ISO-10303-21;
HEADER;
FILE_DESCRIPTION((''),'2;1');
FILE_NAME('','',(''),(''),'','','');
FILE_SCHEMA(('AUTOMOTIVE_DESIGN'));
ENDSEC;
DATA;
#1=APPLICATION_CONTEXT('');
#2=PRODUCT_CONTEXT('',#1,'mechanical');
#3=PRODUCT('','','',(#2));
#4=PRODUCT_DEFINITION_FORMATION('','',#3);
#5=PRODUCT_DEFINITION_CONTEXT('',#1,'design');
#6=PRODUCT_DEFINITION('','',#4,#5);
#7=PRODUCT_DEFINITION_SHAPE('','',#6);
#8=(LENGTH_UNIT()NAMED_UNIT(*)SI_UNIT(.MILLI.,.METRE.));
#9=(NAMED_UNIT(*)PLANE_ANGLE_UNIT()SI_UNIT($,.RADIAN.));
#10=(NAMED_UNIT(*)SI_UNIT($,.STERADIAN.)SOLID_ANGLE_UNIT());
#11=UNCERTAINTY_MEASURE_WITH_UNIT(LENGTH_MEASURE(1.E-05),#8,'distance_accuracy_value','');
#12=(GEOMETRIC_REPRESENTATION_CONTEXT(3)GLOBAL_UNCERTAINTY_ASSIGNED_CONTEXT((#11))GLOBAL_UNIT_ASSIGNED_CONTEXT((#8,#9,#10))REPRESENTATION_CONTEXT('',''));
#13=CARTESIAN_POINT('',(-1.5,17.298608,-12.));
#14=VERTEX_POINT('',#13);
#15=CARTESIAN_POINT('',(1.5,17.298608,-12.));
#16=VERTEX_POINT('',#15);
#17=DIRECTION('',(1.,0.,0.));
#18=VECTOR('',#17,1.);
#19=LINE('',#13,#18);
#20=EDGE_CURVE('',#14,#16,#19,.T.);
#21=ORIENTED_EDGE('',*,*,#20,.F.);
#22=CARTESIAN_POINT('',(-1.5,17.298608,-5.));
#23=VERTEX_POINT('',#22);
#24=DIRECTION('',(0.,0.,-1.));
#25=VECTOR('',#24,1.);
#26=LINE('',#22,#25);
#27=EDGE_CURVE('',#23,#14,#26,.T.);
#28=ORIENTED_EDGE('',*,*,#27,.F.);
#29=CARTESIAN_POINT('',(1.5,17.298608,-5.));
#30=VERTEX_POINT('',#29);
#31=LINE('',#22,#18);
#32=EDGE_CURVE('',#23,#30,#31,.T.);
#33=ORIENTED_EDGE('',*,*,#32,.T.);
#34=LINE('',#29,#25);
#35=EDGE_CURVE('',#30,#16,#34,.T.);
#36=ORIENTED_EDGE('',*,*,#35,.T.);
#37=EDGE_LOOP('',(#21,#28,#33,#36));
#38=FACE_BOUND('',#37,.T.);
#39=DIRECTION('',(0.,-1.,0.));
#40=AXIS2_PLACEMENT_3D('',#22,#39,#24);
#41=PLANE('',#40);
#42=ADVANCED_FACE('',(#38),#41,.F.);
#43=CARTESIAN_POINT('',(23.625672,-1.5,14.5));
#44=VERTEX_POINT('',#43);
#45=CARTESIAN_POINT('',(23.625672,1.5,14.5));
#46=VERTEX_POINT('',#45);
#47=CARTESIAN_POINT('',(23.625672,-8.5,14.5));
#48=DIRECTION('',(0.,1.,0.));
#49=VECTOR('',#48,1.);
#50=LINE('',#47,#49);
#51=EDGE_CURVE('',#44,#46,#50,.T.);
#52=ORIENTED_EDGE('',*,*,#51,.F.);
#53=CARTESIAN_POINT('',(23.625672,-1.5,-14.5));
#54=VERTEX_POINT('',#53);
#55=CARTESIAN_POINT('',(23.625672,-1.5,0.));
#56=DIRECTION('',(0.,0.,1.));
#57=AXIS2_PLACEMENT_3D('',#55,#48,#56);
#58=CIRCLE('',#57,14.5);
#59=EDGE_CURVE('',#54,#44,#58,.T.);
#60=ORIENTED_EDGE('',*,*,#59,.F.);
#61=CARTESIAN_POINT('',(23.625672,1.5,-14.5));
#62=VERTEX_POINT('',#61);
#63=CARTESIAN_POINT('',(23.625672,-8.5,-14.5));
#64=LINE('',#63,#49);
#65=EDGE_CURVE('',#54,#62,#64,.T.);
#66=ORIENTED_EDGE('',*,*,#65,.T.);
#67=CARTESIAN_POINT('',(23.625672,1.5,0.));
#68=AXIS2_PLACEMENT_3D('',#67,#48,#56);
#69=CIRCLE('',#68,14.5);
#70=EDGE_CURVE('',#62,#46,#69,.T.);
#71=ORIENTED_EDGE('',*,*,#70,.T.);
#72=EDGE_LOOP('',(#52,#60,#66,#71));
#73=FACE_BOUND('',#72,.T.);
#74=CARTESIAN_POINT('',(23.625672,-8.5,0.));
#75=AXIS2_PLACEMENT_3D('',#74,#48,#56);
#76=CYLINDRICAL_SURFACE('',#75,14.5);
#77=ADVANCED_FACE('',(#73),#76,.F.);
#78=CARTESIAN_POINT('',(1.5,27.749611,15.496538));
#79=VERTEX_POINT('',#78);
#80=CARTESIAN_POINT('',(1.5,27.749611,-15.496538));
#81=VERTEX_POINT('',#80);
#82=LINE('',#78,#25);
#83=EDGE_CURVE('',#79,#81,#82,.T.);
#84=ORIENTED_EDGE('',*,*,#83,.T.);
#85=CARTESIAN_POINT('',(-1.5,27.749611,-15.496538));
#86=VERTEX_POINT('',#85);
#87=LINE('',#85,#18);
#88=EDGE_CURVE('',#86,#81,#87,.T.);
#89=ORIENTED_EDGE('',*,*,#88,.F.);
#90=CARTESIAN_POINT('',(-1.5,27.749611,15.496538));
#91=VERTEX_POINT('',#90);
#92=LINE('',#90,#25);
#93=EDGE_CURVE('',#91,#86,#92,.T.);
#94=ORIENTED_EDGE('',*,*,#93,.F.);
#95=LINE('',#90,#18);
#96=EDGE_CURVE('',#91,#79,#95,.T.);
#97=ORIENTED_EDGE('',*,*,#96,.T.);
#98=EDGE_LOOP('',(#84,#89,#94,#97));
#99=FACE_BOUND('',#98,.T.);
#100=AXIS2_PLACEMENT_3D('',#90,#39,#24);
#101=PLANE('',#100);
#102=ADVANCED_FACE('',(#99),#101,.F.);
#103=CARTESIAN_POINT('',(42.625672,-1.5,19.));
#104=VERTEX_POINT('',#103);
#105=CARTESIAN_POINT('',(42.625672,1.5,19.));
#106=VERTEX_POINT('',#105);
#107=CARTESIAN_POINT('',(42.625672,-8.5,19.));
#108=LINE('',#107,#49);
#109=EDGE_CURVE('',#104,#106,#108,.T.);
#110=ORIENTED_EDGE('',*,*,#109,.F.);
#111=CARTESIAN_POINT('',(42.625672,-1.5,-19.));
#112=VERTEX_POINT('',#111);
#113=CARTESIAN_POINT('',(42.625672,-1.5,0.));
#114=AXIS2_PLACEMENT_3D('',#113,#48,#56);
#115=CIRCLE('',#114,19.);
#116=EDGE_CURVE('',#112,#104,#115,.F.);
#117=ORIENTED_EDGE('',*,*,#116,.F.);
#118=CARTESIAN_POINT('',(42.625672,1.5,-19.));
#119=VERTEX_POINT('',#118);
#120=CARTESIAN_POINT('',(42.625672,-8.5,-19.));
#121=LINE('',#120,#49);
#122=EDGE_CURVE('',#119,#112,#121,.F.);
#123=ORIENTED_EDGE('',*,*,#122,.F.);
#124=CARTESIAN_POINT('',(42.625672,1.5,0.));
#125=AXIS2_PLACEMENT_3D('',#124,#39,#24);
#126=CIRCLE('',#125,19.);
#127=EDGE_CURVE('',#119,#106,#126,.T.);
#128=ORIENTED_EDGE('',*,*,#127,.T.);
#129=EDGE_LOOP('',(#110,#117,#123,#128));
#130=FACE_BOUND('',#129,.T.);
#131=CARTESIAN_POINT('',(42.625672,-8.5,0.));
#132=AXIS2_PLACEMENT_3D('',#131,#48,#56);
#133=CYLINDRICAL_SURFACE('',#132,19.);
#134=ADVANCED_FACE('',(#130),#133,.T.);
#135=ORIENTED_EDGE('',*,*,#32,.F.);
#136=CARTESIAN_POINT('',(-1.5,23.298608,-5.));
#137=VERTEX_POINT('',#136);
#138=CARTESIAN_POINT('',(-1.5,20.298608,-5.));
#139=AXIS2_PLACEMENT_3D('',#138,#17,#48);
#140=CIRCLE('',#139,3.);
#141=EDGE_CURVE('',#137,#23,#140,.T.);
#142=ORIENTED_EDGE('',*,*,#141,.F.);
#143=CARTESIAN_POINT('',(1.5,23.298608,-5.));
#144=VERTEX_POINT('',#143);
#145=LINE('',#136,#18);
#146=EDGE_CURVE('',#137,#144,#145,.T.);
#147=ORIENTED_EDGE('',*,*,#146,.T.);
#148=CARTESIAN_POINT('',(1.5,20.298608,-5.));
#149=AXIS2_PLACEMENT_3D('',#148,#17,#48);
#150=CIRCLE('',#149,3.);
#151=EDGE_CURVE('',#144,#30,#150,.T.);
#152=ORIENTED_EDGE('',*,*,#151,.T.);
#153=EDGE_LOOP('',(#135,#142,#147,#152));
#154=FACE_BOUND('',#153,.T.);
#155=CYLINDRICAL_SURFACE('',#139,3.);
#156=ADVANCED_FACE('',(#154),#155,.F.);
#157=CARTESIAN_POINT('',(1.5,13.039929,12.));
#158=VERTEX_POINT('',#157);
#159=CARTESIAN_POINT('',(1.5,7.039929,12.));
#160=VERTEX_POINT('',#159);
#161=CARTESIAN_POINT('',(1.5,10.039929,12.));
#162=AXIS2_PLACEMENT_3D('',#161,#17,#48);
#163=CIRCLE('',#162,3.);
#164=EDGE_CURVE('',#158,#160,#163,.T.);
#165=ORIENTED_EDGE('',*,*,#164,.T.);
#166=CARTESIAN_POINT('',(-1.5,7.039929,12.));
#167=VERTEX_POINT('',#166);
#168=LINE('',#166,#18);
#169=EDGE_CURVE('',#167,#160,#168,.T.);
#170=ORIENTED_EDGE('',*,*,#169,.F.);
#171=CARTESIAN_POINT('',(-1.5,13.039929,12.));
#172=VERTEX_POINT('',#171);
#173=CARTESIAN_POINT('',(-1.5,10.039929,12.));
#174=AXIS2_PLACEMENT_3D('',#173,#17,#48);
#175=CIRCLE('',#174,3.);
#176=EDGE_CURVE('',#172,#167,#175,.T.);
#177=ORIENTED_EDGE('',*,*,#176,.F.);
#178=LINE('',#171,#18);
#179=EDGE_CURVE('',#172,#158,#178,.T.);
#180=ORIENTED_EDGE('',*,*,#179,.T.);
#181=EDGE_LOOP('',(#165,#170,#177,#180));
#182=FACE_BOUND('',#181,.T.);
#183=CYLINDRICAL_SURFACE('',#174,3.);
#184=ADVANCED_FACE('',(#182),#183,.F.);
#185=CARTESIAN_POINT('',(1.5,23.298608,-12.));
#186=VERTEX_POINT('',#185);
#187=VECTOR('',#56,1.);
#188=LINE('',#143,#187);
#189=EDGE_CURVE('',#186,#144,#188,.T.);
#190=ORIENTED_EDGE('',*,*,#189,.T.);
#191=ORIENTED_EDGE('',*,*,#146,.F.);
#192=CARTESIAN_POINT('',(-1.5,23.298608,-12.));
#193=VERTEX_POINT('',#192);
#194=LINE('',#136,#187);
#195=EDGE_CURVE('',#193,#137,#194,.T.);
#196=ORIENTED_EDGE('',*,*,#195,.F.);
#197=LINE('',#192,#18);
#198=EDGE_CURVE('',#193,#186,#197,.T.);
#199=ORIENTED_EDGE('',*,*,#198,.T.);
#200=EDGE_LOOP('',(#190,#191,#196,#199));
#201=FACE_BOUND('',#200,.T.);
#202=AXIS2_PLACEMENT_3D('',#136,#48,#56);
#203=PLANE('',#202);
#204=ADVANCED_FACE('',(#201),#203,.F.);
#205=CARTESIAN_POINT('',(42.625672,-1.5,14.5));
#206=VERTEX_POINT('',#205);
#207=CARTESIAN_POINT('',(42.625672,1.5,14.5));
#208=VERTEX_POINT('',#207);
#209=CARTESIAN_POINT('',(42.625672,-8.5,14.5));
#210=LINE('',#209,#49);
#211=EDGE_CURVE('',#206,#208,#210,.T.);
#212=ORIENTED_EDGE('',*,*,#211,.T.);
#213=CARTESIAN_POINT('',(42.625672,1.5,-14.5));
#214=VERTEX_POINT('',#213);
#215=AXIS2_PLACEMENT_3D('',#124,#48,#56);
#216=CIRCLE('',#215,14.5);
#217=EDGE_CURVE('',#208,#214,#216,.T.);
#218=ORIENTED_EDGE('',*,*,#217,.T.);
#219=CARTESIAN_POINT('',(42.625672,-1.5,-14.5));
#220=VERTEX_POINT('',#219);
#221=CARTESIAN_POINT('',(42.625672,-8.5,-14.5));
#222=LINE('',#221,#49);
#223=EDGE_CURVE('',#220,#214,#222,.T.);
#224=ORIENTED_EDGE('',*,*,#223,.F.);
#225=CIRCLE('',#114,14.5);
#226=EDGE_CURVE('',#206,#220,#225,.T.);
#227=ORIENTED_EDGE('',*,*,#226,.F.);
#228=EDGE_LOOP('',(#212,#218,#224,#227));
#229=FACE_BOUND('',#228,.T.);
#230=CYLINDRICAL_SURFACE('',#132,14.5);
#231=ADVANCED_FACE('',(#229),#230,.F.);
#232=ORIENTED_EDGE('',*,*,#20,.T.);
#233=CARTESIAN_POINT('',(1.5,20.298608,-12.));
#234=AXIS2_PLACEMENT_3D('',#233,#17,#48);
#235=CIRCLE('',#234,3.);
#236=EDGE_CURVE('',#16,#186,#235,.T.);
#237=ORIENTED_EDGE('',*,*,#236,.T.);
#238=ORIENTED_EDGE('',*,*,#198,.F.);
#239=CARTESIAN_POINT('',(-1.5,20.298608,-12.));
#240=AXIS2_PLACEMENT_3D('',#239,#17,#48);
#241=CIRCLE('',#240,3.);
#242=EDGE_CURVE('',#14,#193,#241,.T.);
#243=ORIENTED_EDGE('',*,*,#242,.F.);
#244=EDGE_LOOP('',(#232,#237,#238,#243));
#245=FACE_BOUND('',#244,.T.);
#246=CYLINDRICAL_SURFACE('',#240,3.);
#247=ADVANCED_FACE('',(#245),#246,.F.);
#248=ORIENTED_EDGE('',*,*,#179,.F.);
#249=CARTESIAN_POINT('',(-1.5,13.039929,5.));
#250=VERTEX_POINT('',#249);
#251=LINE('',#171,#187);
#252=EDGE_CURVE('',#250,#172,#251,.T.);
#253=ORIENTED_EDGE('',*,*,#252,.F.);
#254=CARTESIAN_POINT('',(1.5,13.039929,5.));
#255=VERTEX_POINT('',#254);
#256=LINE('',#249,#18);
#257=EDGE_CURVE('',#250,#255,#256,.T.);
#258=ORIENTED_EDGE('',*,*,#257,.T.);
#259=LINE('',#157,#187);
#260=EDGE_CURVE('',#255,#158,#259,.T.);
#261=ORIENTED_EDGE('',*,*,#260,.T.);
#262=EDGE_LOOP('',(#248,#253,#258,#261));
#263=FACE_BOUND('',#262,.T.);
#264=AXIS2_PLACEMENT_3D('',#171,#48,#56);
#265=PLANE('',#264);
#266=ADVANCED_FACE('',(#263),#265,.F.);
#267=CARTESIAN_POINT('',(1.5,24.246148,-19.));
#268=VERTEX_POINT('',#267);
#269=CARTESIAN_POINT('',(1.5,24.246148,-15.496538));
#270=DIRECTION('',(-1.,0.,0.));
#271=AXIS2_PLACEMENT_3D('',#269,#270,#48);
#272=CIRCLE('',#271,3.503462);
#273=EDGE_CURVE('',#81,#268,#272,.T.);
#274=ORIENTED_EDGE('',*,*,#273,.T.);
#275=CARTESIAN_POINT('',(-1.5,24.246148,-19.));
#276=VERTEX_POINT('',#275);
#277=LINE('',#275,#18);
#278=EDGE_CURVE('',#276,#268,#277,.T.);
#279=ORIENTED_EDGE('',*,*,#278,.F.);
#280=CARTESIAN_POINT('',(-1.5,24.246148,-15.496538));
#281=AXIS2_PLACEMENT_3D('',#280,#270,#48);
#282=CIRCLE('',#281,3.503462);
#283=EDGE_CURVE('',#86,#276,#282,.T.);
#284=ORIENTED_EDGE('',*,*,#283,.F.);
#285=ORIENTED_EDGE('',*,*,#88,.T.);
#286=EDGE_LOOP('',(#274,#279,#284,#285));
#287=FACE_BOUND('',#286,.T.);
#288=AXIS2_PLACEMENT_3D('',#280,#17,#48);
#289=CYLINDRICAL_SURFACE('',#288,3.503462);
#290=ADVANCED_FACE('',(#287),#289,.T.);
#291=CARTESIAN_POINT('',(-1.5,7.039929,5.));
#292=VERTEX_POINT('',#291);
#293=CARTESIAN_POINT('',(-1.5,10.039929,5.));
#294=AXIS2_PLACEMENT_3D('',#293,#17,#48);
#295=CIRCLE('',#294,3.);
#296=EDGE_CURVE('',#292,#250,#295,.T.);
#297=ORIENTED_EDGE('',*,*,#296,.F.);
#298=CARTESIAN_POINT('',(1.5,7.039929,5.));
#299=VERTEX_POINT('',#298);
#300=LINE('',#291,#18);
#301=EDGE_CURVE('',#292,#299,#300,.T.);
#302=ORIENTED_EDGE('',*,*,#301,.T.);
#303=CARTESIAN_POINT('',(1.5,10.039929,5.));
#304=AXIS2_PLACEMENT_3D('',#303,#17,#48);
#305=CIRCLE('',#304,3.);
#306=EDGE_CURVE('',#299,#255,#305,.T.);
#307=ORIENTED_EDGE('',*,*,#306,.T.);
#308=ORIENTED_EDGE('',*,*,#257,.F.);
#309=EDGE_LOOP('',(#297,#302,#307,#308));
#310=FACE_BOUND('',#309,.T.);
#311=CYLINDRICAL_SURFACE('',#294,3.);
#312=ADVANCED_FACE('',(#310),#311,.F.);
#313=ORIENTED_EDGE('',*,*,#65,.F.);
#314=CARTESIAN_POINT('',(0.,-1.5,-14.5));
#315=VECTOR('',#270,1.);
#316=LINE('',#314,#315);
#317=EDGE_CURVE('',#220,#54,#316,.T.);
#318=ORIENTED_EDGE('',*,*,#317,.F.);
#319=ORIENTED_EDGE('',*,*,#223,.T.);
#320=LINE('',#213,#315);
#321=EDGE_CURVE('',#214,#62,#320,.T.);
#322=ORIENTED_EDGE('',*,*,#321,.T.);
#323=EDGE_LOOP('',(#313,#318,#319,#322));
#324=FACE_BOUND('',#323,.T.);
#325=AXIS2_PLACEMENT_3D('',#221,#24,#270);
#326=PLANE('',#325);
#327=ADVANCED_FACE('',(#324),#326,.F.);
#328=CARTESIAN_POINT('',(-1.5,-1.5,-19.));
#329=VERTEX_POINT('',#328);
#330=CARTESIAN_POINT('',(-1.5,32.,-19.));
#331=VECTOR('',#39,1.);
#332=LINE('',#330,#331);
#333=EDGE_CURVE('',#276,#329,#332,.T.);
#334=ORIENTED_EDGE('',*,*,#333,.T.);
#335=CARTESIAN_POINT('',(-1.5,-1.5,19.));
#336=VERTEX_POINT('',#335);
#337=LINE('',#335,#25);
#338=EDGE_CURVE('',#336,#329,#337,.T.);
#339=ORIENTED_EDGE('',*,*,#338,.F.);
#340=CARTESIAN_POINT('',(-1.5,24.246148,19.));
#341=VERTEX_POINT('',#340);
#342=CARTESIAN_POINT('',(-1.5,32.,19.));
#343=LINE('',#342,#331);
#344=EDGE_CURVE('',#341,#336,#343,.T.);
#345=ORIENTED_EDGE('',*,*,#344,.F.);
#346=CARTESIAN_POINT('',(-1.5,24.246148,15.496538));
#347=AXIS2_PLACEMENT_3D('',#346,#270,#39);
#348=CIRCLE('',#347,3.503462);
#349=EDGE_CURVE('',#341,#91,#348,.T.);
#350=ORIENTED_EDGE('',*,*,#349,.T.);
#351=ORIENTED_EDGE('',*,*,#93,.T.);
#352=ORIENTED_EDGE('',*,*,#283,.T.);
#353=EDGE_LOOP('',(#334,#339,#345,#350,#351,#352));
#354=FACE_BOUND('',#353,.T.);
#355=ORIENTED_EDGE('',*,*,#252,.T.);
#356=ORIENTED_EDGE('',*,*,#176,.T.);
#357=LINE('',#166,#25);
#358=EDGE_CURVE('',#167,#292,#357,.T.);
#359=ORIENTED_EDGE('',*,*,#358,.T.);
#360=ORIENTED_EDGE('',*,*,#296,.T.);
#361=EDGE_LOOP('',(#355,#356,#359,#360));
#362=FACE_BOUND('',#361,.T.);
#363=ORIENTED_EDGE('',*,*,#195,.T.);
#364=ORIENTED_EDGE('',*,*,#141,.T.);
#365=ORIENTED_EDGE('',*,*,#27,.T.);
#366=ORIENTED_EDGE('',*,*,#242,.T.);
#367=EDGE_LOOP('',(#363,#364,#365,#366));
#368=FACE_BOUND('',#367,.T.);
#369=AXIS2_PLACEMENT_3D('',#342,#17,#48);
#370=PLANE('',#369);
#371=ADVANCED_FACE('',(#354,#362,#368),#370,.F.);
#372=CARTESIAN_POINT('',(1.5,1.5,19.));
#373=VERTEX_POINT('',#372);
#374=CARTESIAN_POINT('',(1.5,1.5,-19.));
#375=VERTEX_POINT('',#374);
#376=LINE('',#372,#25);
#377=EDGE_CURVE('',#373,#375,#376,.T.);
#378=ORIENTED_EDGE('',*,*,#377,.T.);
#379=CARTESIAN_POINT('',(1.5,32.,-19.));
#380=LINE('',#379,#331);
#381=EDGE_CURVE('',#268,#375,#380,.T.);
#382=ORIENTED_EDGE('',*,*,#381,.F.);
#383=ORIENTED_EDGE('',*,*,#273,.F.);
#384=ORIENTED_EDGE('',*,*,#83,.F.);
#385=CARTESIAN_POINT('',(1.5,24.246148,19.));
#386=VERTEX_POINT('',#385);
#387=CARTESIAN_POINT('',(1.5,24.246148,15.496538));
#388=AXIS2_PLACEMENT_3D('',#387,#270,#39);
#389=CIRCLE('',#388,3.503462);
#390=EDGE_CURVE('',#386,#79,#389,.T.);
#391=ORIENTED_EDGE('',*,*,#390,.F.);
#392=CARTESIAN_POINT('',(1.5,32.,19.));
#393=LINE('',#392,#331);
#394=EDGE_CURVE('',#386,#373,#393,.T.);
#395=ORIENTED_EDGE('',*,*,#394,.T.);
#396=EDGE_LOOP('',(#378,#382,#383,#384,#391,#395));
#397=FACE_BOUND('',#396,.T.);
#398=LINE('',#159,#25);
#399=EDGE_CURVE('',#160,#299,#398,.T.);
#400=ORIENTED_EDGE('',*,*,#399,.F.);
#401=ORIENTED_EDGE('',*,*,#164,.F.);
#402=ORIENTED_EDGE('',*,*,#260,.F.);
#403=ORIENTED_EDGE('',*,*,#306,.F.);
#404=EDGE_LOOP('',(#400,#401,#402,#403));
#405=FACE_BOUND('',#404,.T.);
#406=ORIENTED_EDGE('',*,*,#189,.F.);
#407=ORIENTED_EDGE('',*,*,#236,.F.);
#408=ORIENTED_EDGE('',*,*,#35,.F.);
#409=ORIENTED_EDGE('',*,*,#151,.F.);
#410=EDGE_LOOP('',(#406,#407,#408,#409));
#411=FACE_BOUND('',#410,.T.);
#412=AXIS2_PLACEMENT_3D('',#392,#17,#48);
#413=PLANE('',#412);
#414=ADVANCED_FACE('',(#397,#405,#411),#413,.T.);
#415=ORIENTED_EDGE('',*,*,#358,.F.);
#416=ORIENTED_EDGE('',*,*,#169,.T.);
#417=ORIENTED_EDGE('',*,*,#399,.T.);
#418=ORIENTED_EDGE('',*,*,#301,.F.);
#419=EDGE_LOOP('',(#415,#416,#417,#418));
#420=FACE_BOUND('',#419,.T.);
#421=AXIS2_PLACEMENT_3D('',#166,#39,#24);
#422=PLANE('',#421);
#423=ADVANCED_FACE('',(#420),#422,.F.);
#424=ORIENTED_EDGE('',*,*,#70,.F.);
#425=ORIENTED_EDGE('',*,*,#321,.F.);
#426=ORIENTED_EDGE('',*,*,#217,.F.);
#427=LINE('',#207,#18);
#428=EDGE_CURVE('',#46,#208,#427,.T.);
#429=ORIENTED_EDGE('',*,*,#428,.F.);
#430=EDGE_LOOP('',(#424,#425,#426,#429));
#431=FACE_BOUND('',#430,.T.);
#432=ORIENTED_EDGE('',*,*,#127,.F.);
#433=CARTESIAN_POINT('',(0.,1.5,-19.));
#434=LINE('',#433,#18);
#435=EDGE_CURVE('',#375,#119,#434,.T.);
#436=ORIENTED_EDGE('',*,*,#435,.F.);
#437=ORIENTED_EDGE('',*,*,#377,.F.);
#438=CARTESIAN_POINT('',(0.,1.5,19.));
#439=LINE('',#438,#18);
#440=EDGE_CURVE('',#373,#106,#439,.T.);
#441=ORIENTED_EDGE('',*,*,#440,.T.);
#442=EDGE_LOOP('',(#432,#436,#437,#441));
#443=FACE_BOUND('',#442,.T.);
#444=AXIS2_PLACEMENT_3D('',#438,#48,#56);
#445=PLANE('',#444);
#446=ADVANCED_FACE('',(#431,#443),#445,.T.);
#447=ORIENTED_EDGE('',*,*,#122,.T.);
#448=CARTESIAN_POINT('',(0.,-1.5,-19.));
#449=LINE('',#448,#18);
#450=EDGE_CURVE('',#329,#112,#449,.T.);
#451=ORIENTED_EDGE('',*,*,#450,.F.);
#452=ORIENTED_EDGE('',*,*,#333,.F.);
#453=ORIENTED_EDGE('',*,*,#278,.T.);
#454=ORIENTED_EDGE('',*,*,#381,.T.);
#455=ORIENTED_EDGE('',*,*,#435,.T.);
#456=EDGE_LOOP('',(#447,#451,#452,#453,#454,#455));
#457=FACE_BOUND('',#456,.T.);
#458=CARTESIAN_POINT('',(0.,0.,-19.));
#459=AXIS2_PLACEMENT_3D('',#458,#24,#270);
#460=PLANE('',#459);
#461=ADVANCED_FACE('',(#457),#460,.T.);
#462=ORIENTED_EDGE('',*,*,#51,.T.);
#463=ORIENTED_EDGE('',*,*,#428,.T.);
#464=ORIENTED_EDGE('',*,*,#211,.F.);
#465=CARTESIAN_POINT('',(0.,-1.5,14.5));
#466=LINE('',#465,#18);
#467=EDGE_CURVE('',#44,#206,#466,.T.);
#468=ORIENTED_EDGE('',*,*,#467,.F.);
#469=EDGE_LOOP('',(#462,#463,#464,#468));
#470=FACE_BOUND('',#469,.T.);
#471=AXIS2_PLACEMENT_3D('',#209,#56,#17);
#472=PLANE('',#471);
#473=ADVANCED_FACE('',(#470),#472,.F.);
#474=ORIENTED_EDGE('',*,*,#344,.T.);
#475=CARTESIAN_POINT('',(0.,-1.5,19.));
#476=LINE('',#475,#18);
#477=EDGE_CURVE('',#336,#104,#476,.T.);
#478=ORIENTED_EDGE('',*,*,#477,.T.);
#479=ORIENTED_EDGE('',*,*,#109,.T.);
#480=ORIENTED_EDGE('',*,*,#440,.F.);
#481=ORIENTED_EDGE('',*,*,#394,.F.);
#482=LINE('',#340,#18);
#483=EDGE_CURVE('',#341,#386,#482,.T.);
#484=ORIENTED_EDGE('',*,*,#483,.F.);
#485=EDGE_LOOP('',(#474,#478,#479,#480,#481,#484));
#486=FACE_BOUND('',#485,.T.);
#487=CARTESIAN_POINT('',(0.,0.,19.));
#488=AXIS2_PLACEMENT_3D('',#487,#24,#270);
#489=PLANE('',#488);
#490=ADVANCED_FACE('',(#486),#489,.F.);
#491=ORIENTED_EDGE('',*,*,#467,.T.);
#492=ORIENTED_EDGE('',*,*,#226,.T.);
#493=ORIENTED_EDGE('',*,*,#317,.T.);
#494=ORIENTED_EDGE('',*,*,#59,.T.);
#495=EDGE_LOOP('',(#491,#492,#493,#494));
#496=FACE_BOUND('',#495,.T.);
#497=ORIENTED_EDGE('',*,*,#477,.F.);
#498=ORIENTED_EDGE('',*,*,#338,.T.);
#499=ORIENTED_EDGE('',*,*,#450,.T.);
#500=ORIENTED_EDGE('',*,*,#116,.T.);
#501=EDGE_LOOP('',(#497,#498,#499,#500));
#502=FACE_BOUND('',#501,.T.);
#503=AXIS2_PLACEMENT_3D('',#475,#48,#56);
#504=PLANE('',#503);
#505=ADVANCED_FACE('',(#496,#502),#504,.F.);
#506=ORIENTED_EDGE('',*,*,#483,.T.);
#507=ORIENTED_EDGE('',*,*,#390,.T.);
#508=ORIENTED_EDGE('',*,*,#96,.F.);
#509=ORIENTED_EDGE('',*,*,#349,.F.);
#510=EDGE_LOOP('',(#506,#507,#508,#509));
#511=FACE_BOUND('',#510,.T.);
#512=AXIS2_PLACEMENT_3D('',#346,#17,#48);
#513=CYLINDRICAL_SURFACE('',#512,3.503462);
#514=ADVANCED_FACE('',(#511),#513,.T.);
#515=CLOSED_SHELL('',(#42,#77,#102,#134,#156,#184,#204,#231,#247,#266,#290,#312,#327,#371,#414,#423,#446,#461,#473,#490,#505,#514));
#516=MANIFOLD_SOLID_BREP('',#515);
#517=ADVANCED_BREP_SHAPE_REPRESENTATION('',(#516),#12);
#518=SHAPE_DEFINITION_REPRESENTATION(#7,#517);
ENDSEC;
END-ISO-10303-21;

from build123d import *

# Parameters (mm, degrees)
EXTRUDE_THIN1_DEPTH = 19
CUT_EXTRUDE1_DEPTH  = 4
CUT_EXTRUDE2_DEPTH  = 10


with BuildPart() as part:
    # Sketch2 → Extrude-Thin1 (new body, symmetric)
    with BuildSketch(Plane.XY):
        Polygon((-1.5, 32), (-1.5, -1.5), (63, -1.5), (63, 1.5), (1.5, 1.5), (1.5, 32), align=None)
    extrude(amount=EXTRUDE_THIN1_DEPTH, both=True)

    # Sketch3 → Cut-Extrude1 (cut, through all)
    with BuildSketch(Plane(origin=(1.5, 0, 0), x_dir=(0, 0, -1), z_dir=(1, 0, 0))):
        with BuildLine():
            Line((5, 23.298608028), (12, 23.298608028))
            ThreePointArc((12, 23.298608028), (15, 20.298608028), (12, 17.298608028))
            Line((12, 17.298608028), (5, 17.298608028))
            ThreePointArc((5, 17.298608028), (2, 20.298608028), (5, 23.298608028))
        make_face()
        with BuildLine():
            Line((-12, 13.03992903), (-5, 13.03992903))
            ThreePointArc((-5, 13.03992903), (-2, 10.03992903), (-5, 7.03992903))
            Line((-5, 7.03992903), (-12, 7.03992903))
            ThreePointArc((-12, 7.03992903), (-15, 10.03992903), (-12, 13.03992903))
        make_face()
        with BuildLine():
            Line((-15.496537692, 27.749610789), (15.496537692, 27.749610789))
            ThreePointArc((15.496537692, 27.749610789), (17.973859648, 26.723470437), (19, 24.246148481))
            Line((19, 24.246148481), (19, 32))
            Line((19, 32), (-19, 32))
            Line((-19, 32), (-19, 24.246148481))
            ThreePointArc((-19, 24.246148481), (-17.973859648, 26.723470437), (-15.496537692, 27.749610789))
        make_face()
    extrude(amount=-CUT_EXTRUDE1_DEPTH, mode=Mode.SUBTRACT)

    # Sketch4 → Cut-Extrude2 (cut)
    with BuildSketch(Plane(origin=(0, 1.5, 0), x_dir=(1, 0, 0), z_dir=(0, 1, 0))):
        with BuildLine():
            Line((42.625671961, -14.5), (23.625671961, -14.5))
            ThreePointArc((23.625671961, -14.5), (9.125671961, 0), (23.625671961, 14.5))
            Line((23.625671961, 14.5), (42.625671961, 14.5))
            ThreePointArc((42.625671961, 14.5), (57.125671961, 0), (42.625671961, -14.5))
        make_face()
        with BuildLine():
            Line((42.625671961, 19), (63, 19))
            Line((63, 19), (63, -19))
            Line((63, -19), (42.625671961, -19))
            ThreePointArc((42.625671961, -19), (61.625671961, 0), (42.625671961, 19))
        make_face()
    extrude(amount=-CUT_EXTRUDE2_DEPTH, mode=Mode.SUBTRACT)


solid = part.part
